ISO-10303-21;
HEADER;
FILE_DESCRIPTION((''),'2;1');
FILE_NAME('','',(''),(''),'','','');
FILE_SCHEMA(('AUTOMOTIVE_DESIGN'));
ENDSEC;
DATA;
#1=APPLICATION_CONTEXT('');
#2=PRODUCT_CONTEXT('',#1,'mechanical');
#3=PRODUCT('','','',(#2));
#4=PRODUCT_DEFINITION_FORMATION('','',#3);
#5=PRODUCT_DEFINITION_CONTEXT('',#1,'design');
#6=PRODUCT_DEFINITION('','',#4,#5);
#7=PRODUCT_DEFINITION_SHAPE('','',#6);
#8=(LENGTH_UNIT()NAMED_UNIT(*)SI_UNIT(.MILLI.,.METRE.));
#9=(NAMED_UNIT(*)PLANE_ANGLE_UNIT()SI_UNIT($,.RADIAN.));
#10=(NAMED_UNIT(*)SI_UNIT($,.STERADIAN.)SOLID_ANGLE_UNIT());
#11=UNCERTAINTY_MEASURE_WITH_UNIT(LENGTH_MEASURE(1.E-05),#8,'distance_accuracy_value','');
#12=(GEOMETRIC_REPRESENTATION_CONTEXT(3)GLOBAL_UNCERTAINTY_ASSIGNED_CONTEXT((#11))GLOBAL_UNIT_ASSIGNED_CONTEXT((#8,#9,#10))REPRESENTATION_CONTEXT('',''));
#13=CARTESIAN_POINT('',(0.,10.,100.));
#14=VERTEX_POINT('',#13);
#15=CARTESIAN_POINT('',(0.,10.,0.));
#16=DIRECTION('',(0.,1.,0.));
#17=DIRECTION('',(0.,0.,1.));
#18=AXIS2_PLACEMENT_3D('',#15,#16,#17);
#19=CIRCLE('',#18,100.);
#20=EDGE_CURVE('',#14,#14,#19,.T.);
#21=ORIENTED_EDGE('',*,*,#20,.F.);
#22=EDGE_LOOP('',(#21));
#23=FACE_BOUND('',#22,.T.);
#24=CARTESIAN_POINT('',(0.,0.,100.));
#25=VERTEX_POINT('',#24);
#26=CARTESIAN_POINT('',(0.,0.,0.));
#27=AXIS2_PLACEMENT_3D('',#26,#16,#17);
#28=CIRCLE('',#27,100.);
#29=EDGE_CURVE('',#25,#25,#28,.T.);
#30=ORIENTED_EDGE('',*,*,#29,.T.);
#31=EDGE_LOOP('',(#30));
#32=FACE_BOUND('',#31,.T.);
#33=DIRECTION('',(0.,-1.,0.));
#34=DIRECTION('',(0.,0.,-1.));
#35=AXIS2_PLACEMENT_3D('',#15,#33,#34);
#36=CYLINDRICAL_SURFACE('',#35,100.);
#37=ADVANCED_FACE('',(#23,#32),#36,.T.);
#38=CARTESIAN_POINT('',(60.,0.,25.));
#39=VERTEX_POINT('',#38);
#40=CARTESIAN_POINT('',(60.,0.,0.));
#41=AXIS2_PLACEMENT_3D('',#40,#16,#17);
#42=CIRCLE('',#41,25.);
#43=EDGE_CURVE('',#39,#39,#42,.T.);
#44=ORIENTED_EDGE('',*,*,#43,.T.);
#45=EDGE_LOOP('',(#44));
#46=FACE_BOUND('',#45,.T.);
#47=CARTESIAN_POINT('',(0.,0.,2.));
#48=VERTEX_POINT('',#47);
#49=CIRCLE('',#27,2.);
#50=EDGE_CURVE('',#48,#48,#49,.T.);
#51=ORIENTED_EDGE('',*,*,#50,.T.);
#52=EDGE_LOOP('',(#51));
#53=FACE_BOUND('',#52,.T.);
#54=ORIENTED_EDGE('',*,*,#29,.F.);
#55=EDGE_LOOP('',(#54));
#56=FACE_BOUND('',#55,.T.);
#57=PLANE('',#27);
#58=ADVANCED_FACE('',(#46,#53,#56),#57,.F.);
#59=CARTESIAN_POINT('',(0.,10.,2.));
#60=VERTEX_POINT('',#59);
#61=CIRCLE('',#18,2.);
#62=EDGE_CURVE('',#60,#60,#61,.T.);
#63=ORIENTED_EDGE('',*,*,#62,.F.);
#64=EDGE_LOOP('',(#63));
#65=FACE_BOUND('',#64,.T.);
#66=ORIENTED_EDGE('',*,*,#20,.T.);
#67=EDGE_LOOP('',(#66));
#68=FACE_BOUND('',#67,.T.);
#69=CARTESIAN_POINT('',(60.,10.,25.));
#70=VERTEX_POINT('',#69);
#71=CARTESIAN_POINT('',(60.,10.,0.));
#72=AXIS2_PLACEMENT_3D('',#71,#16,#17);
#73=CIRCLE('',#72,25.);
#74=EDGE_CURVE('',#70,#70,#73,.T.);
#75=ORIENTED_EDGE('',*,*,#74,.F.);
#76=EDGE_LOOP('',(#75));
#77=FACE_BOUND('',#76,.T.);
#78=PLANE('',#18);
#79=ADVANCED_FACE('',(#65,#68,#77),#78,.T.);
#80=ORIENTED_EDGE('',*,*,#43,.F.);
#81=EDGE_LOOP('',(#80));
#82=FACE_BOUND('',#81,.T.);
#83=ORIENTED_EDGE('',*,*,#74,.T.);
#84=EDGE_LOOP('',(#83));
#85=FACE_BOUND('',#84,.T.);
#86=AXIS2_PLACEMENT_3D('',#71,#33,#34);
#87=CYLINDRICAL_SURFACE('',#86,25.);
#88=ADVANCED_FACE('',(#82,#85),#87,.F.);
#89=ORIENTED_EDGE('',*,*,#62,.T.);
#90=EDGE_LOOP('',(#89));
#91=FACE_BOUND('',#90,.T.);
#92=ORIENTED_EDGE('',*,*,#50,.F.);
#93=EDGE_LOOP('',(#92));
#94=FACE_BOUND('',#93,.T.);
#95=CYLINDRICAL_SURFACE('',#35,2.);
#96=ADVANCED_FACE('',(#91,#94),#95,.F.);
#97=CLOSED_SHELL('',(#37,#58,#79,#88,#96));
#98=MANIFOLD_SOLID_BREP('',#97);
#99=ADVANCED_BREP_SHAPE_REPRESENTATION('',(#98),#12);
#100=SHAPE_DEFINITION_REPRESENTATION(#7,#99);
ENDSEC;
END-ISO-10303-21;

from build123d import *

# Parameters (mm, degrees)
CROQUIS1_R              = 100
CROQUIS1_R_2            = 25
CROQUIS1_R_3            = 2
SALIENTE_EXTRUIR1_DEPTH = 10


with BuildPart() as part:
    # Croquis1 → Saliente-Extruir1 (new body)
    with BuildSketch(Plane(origin=(0, 0, 0), x_dir=(1, 0, 0), z_dir=(0, 1, 0))):
        Circle(CROQUIS1_R)
        with Locations((60, 0)):
            Circle(CROQUIS1_R_2, mode=Mode.SUBTRACT)
        Circle(CROQUIS1_R_3, mode=Mode.SUBTRACT)
    extrude(amount=SALIENTE_EXTRUIR1_DEPTH)


solid = part.part
